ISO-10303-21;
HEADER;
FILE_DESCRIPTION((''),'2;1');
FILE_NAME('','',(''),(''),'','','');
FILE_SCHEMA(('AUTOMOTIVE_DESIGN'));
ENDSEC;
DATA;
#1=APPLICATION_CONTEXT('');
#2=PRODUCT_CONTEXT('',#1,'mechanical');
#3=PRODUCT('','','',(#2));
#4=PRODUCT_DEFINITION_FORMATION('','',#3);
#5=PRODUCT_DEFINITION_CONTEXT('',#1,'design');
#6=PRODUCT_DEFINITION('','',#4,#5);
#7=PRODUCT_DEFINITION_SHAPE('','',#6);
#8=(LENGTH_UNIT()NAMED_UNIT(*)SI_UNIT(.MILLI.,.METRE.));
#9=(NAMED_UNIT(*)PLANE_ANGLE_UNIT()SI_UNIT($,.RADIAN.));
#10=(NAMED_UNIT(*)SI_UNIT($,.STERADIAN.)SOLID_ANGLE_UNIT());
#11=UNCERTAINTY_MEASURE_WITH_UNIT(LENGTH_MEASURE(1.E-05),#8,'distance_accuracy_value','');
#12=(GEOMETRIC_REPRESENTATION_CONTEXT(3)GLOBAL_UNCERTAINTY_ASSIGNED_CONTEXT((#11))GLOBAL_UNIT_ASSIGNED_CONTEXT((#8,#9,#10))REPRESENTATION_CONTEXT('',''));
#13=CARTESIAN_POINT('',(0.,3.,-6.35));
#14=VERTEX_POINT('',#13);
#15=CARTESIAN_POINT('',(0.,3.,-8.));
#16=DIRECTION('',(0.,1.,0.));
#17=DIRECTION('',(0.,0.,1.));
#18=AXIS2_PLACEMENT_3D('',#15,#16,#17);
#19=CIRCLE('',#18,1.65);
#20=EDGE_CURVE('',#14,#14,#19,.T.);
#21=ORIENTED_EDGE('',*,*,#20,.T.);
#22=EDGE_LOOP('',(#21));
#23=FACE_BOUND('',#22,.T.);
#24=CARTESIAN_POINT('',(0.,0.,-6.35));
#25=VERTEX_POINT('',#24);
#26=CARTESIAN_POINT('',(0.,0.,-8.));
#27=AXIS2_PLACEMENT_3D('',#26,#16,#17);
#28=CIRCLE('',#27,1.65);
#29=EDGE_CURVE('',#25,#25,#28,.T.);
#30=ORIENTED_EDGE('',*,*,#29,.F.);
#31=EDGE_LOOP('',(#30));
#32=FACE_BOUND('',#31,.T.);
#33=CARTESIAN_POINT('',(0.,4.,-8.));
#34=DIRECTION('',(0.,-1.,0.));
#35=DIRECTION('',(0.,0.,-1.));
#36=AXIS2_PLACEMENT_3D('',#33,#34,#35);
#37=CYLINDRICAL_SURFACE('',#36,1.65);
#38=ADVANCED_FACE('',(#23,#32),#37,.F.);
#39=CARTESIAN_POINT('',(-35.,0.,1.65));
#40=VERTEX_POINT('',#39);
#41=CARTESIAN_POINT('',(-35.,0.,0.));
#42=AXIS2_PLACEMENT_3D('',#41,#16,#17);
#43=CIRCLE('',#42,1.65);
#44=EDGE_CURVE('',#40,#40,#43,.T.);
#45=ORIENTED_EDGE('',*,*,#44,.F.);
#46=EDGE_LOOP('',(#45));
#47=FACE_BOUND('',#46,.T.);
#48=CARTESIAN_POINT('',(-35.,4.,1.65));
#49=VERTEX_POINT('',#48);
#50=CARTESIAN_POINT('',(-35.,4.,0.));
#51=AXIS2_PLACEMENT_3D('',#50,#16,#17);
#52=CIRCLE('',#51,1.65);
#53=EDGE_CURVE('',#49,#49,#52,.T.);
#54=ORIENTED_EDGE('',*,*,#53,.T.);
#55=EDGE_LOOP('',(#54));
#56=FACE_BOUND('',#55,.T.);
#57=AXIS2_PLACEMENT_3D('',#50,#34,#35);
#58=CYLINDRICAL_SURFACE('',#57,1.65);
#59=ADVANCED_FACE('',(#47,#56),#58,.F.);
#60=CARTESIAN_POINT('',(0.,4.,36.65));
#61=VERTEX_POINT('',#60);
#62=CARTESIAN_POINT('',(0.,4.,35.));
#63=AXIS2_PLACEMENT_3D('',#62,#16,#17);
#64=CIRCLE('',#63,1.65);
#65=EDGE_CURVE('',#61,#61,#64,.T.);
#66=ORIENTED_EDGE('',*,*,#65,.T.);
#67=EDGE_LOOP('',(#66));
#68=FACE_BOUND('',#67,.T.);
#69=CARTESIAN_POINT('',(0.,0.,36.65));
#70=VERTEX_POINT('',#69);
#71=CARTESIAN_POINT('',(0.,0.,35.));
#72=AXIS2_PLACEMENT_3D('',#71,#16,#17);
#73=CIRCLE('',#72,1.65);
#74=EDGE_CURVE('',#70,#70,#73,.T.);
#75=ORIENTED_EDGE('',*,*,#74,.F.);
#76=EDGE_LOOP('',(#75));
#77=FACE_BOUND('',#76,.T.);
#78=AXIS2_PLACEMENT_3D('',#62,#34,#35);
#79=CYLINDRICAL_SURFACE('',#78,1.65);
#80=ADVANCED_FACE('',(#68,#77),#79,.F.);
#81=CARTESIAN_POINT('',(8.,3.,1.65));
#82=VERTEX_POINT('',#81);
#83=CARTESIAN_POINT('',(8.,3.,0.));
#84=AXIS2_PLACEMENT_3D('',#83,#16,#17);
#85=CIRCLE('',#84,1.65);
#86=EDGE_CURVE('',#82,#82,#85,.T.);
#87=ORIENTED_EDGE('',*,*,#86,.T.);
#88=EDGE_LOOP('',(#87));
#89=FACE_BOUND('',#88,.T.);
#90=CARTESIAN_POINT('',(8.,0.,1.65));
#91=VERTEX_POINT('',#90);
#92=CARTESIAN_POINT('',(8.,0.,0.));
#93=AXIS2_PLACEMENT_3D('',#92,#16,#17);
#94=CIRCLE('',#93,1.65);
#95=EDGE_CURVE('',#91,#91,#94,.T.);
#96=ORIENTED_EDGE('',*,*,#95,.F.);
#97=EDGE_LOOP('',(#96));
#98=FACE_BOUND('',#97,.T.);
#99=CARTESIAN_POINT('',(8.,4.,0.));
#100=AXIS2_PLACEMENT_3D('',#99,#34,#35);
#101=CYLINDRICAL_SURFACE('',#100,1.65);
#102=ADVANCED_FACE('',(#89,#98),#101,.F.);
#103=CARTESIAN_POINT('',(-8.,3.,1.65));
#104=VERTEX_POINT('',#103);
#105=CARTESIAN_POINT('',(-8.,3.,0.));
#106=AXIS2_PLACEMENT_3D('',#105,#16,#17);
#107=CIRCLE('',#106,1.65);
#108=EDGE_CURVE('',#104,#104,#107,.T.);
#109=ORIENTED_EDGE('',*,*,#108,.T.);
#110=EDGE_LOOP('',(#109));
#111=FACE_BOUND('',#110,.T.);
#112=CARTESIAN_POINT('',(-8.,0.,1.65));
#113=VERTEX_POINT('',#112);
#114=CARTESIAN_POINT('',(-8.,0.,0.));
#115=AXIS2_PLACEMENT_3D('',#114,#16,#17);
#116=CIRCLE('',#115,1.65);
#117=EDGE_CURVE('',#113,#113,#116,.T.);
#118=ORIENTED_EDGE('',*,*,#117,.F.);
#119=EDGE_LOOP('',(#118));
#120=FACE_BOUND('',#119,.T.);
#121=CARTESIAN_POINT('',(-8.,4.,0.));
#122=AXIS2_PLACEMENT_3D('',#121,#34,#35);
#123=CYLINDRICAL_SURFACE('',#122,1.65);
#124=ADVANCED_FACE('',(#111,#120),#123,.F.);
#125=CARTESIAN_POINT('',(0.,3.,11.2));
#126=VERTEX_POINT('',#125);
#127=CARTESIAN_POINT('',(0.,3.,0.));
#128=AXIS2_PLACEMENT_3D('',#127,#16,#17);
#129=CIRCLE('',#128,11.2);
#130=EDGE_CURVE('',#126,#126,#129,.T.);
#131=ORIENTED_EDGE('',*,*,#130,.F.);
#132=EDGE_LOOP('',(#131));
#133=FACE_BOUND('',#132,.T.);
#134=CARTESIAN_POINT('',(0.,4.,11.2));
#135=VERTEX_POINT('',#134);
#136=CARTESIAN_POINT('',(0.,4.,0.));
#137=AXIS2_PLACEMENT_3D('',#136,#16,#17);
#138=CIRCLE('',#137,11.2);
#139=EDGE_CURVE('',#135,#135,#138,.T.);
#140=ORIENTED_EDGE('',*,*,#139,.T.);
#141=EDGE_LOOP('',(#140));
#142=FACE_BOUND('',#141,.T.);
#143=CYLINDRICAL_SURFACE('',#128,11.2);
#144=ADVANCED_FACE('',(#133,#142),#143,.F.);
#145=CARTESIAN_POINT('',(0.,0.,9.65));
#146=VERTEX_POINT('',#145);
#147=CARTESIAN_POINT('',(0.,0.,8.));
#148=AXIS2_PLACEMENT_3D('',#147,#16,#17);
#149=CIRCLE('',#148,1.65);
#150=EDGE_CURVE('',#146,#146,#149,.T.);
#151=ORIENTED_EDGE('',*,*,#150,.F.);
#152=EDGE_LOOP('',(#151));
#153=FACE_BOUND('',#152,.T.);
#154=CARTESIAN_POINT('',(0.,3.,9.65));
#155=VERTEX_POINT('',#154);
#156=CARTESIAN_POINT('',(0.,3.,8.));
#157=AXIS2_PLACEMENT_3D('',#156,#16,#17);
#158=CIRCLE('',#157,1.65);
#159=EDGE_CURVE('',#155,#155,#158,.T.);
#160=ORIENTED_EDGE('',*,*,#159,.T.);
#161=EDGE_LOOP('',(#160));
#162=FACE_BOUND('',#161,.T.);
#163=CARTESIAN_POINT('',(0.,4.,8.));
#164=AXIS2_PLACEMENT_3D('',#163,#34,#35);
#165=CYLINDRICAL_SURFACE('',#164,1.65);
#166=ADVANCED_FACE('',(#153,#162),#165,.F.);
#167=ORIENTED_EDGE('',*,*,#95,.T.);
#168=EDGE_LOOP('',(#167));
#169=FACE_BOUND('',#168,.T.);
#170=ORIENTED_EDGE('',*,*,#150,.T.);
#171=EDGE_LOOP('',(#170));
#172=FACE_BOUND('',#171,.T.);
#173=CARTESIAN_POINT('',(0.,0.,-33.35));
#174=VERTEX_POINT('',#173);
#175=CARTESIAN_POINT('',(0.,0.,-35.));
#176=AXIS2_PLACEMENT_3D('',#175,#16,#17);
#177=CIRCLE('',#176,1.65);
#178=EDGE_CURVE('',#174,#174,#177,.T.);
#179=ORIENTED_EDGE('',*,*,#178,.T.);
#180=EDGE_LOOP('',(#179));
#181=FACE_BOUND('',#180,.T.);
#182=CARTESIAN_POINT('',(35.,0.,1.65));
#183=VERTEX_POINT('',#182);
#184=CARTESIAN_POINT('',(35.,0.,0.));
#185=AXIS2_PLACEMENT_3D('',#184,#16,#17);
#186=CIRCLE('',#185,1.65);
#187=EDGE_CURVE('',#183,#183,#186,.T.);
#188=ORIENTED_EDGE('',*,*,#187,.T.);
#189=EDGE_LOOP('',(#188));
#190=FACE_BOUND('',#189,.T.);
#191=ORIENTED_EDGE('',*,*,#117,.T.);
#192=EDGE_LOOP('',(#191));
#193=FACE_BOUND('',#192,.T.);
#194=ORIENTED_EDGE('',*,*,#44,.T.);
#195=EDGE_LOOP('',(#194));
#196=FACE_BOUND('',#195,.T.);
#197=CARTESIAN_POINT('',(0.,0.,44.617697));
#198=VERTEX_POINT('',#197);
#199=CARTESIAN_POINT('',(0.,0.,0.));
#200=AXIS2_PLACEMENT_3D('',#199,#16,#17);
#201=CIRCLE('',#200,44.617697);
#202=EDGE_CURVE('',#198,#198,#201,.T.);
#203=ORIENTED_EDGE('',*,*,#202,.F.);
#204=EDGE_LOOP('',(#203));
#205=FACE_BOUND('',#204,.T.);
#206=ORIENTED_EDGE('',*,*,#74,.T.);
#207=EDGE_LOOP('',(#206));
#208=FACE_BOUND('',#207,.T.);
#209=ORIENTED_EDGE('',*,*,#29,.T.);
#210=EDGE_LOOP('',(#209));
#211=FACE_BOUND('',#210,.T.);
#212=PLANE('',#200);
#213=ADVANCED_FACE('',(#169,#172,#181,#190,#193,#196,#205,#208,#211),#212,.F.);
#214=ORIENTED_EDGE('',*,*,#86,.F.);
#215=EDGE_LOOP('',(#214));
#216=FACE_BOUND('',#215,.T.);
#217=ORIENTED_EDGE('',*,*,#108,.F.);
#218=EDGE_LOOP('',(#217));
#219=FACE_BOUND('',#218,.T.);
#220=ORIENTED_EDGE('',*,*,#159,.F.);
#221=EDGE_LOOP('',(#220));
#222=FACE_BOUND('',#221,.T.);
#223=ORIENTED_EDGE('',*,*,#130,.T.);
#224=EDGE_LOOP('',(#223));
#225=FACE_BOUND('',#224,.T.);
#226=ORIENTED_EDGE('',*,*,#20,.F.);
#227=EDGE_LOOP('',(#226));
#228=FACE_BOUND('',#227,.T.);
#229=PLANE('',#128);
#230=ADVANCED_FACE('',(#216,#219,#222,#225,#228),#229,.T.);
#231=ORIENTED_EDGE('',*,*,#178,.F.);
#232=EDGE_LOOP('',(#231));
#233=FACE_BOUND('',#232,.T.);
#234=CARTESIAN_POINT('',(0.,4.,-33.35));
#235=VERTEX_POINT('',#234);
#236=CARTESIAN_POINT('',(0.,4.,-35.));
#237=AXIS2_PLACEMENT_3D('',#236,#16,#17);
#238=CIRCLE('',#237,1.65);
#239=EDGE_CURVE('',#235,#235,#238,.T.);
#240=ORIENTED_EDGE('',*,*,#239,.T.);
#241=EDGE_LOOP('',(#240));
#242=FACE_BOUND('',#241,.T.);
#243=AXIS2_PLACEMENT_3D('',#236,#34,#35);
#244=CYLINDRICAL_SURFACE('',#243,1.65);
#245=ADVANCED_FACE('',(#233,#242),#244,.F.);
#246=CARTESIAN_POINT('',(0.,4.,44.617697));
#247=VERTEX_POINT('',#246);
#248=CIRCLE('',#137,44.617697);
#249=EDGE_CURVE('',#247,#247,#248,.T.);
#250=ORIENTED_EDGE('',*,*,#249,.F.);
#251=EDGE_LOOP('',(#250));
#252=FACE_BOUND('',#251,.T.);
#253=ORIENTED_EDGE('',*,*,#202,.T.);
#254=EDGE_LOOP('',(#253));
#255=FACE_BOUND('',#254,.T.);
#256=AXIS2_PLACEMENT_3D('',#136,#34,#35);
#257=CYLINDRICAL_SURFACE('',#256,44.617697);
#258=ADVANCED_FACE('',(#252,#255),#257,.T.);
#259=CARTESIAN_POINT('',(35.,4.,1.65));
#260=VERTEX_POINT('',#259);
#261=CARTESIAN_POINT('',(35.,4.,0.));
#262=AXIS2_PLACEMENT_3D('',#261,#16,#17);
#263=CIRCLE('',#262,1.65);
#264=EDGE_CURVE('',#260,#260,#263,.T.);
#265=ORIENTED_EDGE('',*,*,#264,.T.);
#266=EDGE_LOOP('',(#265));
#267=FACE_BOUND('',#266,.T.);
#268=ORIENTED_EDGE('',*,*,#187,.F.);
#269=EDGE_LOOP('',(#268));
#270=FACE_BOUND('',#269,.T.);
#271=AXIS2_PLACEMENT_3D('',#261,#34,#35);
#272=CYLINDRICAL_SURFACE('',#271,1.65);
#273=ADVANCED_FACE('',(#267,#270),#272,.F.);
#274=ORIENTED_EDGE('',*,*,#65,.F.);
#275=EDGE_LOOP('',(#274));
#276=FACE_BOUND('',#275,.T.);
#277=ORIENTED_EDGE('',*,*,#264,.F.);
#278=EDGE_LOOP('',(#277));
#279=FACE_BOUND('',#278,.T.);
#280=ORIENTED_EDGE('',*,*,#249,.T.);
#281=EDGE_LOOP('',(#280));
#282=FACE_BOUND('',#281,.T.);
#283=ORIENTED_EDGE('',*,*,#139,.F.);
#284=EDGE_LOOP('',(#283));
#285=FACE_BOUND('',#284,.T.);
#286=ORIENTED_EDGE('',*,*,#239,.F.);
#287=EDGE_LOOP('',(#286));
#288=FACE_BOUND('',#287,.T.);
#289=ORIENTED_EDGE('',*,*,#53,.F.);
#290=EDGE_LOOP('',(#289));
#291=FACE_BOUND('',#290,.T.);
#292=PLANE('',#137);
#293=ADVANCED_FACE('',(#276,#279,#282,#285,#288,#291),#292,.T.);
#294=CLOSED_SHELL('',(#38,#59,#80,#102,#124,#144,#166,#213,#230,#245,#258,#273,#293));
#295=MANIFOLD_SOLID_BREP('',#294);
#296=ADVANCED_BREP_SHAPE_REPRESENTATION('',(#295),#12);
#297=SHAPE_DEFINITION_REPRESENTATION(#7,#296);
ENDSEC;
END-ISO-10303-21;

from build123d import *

# Parameters (mm, degrees)
SKETCH1_R           = 44.617697353
SKETCH1_R_2         = 1.65
BOSS_EXTRUDE1_DEPTH = 4
SKETCH2_R           = 11.2
CUT_EXTRUDE1_DEPTH  = 1


with BuildPart() as part:
    # Sketch1 → Boss-Extrude1 (new body)
    with BuildSketch(Plane(origin=(0, 0, 0), x_dir=(1, 0, 0), z_dir=(0, 1, 0))):
        with Locations(Location((0, 0, 0), (0, 0, 270))):
            Circle(SKETCH1_R)
        with Locations(Location((0, 8, 0), (0, 0, 270))):
            Circle(SKETCH1_R_2, mode=Mode.SUBTRACT)
        with Locations(Location((8, 0, 0), (0, 0, 270))):
            Circle(SKETCH1_R_2, mode=Mode.SUBTRACT)
        with Locations(Location((0, -8, 0), (0, 0, 270))):
            Circle(SKETCH1_R_2, mode=Mode.SUBTRACT)
        with Locations(Location((-8, 0, 0), (0, 0, 270))):
            Circle(SKETCH1_R_2, mode=Mode.SUBTRACT)
        with Locations(Location((0, 35, 0), (0, 0, 270))):
            Circle(SKETCH1_R_2, mode=Mode.SUBTRACT)
        with Locations(Location((35, 0, 0), (0, 0, 270))):
            Circle(SKETCH1_R_2, mode=Mode.SUBTRACT)
        with Locations(Location((0, -35, 0), (0, 0, 270))):
            Circle(SKETCH1_R_2, mode=Mode.SUBTRACT)
        with Locations(Location((-35, 0, 0), (0, 0, 270))):
            Circle(SKETCH1_R_2, mode=Mode.SUBTRACT)
    extrude(amount=BOSS_EXTRUDE1_DEPTH)

    # Sketch2 → Cut-Extrude1 (cut)
    with BuildSketch(Plane(origin=(0, 4, 0), x_dir=(1, 0, 0), z_dir=(0, 1, 0))):
        with Locations(Location((0, 0, 0), (0, 0, 270))):
            Circle(SKETCH2_R)
    extrude(amount=-CUT_EXTRUDE1_DEPTH, mode=Mode.SUBTRACT)


solid = part.part
